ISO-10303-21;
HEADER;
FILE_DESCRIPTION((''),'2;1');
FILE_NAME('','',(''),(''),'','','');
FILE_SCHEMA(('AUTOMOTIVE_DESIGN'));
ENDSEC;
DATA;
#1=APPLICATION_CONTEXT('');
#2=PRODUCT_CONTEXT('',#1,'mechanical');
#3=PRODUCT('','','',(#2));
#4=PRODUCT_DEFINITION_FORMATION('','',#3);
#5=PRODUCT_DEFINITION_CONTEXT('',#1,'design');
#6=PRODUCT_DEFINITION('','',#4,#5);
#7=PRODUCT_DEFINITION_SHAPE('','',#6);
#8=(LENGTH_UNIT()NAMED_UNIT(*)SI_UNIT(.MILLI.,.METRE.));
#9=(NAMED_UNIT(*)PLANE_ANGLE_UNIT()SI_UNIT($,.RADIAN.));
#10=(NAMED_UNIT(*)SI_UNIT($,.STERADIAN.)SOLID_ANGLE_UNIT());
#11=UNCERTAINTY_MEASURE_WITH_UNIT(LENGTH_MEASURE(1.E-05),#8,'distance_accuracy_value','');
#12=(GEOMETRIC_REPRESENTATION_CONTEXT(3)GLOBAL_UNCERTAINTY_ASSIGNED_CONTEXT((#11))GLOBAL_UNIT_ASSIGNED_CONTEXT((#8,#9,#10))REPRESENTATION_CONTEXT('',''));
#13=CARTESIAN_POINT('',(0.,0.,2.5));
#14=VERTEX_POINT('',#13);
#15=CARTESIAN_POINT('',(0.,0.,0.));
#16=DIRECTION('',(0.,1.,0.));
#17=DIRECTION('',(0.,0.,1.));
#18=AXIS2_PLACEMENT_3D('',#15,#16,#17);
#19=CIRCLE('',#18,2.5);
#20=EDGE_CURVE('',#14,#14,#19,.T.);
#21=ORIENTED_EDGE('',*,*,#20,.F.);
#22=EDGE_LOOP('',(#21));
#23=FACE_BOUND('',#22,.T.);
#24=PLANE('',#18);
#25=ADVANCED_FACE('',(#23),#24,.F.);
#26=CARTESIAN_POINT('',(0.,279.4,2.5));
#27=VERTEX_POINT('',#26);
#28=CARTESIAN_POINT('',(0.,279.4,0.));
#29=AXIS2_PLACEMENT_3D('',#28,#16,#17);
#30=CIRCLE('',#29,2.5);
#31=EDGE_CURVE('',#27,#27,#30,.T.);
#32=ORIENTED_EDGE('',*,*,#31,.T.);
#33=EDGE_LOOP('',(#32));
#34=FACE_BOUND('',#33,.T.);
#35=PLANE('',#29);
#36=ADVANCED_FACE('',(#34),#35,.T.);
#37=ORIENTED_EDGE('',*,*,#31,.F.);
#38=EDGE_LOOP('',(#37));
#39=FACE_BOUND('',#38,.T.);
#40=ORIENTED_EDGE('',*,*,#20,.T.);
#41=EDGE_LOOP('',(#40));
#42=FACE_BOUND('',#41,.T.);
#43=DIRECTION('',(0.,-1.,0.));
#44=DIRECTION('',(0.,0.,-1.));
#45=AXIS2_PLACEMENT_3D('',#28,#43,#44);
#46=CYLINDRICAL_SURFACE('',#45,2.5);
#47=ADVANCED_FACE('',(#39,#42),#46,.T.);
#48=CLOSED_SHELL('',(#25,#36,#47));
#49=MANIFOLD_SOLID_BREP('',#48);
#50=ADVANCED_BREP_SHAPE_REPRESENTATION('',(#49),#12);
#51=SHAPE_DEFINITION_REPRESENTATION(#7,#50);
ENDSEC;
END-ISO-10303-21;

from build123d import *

# Parameters (mm, degrees)
SKETCH1_R           = 2.5
BOSS_EXTRUDE1_DEPTH = 279.4


with BuildPart() as part:
    # Sketch1 → Boss-Extrude1 (new body)
    with BuildSketch(Plane(origin=(0, 0, 0), x_dir=(1, 0, 0), z_dir=(0, 1, 0))):
        Circle(SKETCH1_R)
    extrude(amount=BOSS_EXTRUDE1_DEPTH)


solid = part.part
